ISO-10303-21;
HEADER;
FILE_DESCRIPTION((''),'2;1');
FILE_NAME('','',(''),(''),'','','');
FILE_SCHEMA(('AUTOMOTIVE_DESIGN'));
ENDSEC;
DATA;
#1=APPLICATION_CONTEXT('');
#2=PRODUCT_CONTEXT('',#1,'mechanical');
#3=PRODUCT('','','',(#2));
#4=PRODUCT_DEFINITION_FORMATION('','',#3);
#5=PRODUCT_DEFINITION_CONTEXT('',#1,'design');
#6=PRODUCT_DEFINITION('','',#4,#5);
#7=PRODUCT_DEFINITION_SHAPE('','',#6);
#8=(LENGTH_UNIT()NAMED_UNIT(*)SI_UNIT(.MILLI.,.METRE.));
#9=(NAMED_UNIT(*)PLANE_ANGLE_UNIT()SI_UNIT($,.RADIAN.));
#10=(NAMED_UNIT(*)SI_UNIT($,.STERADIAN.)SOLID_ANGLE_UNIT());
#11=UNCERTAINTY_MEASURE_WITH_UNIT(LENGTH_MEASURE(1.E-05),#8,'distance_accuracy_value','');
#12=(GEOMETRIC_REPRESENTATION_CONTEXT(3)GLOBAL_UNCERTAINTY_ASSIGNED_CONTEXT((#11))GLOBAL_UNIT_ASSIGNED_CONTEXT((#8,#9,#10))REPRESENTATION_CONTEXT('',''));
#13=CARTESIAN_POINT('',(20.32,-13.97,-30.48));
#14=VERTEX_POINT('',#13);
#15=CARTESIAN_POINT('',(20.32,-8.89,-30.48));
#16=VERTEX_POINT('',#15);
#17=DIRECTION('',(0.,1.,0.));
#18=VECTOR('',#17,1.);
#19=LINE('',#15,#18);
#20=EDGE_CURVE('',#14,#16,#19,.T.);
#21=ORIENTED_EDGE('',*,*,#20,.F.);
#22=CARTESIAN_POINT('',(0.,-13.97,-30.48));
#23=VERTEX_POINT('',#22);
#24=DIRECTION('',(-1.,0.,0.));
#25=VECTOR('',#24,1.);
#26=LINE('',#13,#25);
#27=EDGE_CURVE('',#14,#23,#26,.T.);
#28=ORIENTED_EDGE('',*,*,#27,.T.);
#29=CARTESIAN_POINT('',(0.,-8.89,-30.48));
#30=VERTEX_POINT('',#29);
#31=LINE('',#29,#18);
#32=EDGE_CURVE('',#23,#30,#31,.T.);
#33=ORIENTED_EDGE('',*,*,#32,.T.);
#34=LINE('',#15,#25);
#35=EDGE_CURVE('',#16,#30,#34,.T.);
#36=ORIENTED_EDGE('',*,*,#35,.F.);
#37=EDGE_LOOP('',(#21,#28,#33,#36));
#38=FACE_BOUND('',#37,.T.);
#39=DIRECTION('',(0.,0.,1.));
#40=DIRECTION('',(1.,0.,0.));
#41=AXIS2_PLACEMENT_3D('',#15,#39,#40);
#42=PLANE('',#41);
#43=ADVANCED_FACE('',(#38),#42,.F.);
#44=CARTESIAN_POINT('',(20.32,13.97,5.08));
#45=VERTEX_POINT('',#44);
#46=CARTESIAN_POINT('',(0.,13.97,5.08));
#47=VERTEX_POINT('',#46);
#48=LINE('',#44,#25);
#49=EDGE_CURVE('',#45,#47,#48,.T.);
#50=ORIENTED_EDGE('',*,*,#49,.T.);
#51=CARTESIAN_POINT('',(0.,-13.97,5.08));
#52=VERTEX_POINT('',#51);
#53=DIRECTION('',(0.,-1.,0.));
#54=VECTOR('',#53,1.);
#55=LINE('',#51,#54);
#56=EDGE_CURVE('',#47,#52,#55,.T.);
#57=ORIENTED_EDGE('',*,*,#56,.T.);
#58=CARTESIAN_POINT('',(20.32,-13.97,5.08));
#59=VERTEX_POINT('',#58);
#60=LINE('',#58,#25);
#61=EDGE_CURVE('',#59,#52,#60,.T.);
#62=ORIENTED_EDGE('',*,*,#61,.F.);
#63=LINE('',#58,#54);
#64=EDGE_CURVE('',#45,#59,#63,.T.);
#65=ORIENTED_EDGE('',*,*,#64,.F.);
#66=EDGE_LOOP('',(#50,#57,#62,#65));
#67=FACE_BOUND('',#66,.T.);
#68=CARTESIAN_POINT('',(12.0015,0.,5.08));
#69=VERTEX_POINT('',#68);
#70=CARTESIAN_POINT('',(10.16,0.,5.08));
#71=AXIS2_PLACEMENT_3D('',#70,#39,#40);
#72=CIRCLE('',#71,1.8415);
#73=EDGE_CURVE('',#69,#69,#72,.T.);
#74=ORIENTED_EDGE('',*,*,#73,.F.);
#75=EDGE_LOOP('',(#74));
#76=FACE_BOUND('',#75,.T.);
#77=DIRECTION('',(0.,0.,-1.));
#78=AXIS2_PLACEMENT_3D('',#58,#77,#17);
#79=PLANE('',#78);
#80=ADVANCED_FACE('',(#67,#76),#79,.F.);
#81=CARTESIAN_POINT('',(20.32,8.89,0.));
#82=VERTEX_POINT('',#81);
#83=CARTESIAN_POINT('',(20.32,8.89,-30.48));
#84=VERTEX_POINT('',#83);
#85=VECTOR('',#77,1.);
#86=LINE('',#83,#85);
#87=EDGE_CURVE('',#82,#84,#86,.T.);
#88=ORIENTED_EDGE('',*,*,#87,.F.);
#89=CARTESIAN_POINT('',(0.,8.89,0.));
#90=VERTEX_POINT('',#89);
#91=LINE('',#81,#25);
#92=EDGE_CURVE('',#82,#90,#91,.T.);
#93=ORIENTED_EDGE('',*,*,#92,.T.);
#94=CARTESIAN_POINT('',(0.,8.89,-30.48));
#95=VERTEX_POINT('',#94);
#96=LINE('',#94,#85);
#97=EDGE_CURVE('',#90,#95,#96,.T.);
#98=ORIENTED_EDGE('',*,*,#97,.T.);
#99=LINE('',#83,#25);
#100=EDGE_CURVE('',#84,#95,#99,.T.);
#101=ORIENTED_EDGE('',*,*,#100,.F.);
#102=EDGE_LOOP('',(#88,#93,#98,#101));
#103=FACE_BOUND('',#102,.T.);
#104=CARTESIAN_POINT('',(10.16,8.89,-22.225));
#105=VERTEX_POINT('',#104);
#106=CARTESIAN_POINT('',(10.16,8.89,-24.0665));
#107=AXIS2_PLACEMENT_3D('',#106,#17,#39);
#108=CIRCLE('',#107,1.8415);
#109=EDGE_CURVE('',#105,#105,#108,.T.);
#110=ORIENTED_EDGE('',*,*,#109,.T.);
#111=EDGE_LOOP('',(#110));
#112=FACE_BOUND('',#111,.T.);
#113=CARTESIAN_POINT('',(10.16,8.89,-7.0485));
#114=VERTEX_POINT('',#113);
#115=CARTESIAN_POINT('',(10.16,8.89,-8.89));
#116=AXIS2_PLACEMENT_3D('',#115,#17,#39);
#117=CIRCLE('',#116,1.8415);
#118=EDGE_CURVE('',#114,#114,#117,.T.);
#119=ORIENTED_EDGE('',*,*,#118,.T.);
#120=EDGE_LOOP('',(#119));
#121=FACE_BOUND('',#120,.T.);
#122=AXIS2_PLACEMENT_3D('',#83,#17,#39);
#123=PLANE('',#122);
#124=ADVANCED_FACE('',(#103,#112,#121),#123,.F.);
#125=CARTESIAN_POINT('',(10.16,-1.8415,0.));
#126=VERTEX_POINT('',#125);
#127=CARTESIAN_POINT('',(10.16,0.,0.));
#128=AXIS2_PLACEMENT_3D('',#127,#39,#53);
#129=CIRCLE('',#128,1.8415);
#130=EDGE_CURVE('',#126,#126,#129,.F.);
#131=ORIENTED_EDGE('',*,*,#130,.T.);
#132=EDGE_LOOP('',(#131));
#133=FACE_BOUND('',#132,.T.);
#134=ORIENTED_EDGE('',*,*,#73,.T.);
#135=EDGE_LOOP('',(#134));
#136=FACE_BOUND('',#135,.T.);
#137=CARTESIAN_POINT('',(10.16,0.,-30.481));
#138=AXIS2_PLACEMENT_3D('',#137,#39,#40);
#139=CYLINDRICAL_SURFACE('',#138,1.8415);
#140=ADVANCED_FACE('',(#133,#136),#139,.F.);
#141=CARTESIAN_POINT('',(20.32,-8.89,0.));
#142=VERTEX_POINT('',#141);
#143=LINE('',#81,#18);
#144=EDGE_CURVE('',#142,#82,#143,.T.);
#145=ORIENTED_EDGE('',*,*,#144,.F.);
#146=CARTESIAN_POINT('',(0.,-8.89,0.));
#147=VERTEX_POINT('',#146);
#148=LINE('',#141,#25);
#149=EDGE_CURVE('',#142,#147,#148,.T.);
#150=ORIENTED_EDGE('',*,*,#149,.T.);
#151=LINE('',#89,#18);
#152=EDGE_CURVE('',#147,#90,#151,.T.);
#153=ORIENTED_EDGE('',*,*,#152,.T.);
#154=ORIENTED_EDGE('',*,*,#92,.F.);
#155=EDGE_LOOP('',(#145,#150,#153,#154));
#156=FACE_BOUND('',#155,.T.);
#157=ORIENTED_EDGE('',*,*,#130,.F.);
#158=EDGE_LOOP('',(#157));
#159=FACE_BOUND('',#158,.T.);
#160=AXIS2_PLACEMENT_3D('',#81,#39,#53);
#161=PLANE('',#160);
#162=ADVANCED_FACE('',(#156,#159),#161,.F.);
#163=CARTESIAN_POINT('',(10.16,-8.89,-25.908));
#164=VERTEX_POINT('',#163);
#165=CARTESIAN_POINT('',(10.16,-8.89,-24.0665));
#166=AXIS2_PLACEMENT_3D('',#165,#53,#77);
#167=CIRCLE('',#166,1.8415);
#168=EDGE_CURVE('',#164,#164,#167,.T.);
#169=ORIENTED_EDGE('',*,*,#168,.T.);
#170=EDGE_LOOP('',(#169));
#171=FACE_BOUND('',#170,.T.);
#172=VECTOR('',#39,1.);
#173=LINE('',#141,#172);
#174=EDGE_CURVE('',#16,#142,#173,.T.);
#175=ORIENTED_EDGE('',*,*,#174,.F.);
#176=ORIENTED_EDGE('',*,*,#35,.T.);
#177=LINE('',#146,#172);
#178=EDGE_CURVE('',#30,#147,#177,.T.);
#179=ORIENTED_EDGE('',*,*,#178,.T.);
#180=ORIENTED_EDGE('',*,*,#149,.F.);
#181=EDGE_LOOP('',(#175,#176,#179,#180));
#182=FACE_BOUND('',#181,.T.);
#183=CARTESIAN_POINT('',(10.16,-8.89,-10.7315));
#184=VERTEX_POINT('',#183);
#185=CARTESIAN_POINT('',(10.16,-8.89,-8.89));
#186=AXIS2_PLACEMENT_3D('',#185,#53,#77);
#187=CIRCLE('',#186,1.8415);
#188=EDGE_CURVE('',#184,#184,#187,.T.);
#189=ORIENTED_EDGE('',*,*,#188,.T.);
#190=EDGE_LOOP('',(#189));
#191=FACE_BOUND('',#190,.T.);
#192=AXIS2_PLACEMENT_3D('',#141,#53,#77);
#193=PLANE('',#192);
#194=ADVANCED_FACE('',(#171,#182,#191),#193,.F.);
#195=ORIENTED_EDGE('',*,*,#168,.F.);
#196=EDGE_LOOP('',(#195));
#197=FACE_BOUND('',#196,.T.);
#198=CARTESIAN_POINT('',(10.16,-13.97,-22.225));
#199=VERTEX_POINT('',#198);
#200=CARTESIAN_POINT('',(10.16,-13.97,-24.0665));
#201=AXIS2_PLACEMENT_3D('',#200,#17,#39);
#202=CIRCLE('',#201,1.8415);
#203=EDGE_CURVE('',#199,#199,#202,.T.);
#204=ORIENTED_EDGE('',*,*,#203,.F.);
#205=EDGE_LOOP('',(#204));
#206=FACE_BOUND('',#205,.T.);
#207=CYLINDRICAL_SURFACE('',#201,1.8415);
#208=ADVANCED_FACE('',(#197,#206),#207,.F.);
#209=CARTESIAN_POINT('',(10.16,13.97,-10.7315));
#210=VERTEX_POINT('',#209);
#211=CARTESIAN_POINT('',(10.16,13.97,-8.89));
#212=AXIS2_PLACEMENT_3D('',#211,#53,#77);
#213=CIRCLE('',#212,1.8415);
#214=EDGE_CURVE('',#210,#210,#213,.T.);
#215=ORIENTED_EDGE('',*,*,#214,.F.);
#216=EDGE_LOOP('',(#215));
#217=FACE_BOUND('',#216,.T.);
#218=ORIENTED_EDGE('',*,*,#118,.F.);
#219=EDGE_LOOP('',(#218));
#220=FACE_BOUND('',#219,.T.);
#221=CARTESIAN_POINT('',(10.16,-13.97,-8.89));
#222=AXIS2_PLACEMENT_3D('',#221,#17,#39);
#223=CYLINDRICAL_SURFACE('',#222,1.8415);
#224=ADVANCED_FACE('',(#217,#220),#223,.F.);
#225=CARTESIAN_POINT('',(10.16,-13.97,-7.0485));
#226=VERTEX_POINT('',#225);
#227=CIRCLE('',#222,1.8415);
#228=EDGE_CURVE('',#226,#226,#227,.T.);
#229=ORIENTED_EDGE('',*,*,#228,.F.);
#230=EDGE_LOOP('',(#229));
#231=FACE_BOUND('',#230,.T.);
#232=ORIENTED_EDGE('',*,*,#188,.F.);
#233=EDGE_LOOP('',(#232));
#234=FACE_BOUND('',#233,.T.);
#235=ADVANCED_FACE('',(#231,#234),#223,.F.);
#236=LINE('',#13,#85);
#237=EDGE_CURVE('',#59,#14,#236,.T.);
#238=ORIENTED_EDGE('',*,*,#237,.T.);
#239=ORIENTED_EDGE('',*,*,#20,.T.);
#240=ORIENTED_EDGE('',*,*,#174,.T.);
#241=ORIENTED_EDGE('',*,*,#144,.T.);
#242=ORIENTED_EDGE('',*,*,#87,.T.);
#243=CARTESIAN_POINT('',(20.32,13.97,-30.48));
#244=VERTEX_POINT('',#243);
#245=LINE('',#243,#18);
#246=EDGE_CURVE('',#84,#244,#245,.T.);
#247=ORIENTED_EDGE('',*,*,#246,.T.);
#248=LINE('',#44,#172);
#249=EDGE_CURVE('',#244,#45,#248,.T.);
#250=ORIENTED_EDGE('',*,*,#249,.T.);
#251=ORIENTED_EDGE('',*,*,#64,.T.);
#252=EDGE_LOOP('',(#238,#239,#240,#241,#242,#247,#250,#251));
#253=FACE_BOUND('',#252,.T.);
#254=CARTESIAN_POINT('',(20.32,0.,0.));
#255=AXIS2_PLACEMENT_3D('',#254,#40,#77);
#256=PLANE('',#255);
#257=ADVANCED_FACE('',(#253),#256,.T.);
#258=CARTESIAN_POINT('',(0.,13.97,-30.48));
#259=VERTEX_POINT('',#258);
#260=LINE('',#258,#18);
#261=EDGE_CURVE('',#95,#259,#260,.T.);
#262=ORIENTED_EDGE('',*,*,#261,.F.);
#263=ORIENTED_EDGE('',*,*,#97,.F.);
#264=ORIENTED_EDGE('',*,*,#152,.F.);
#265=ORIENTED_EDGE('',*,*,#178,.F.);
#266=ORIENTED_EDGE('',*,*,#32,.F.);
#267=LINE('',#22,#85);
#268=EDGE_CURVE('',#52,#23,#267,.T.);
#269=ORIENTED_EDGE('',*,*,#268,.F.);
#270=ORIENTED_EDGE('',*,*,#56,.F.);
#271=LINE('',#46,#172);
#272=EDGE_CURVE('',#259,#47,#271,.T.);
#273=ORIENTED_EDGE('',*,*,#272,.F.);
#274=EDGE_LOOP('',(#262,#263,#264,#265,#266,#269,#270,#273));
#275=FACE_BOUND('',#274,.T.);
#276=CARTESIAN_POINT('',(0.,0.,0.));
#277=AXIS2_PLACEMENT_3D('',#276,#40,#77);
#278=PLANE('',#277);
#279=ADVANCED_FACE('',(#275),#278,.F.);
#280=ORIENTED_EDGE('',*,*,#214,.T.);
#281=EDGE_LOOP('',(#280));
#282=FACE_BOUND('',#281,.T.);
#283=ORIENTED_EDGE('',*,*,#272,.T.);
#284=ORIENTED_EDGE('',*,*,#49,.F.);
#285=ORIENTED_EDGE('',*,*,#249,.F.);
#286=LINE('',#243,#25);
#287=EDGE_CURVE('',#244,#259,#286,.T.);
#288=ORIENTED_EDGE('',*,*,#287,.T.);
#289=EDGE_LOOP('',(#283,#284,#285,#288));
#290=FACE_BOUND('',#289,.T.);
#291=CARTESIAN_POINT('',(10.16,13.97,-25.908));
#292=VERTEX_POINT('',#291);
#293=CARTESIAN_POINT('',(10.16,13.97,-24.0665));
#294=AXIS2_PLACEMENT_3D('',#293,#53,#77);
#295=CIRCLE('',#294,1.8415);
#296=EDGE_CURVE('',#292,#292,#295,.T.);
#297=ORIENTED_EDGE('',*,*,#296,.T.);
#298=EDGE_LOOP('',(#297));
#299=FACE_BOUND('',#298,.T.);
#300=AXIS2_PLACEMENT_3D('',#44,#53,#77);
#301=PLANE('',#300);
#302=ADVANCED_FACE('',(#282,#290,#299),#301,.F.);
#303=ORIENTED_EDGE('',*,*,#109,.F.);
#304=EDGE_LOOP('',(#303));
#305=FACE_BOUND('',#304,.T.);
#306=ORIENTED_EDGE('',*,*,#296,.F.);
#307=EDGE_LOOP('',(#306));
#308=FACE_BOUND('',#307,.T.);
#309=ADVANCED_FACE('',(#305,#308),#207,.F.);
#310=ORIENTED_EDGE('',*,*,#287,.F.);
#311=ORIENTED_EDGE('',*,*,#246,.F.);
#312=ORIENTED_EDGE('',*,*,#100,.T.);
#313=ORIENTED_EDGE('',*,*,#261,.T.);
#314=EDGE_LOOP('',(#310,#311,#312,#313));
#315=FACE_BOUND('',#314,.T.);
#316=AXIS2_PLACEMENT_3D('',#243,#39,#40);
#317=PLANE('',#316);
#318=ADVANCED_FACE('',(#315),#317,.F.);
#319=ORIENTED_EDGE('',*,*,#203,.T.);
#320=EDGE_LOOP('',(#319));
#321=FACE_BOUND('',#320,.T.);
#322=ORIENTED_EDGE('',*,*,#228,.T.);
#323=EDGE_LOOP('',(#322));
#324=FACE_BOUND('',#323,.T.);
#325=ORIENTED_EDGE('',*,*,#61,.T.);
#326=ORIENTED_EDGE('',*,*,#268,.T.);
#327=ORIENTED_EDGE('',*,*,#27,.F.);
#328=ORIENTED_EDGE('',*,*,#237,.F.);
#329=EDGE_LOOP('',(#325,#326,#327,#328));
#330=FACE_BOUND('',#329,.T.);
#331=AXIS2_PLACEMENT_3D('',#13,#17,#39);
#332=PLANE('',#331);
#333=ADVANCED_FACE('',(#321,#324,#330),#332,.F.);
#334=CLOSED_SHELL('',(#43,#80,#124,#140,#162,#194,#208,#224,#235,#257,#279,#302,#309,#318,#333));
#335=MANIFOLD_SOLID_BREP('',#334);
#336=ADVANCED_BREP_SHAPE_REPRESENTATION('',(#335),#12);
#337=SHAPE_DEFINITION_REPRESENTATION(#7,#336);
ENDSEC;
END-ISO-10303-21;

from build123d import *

# Parameters (mm, degrees)
BOSS_EXTRUDE1_DEPTH     = 20.32
CUT_EXTRUDE1_REACH      = 45.273
SKETCH2_R               = 1.8415
CUT_EXTRUDE2_DEPTH      = 47.071427154
CUT_EXTRUDE2_DEPTH_BACK = 47.071427154
SKETCH3_R               = 1.8415


with BuildPart() as part:
    # Sketch1 → Boss-Extrude1 (new body)
    with BuildSketch(Plane(origin=(0, 0, 0), x_dir=(0, 0, -1), z_dir=(1, 0, 0))):
        Polygon((0, 8.89), (0, -8.89), (30.48, -8.89), (30.48, -13.97), (-5.08, -13.97), (-5.08, 13.97), (30.48, 13.97), (30.48, 8.89), align=None)
    extrude(amount=BOSS_EXTRUDE1_DEPTH)

    # Sketch2 → Cut-Extrude1 (cut, up to next)
    with BuildSketch(Plane.XY.offset(5.08), mode=Mode.PRIVATE) as cut_extrude1_sk1:
        with Locations((10.16, 0)):
            Circle(SKETCH2_R)
    cut_extrude1_tool1 = extrude(cut_extrude1_sk1.sketch, amount=-CUT_EXTRUDE1_REACH, mode=Mode.PRIVATE) & part.part
    add(cut_extrude1_tool1.solids().sort_by_distance((10.16, 0, 5.08))[0], mode=Mode.SUBTRACT)

    # Sketch3 → Cut-Extrude2 (cut, two sides: drawn at the far end of the back side and taken through both)
    with BuildSketch(Plane(origin=(0, 13.97, 0), x_dir=(1, 0, 0), z_dir=(0, 1, 0)).offset(-CUT_EXTRUDE2_DEPTH_BACK)):
        with Locations(Location((10.16, 8.89, 0), (0, 0, 270))):
            Circle(SKETCH3_R)
        with Locations(Location((10.16, 24.0665, 0), (0, 0, 270))):
            Circle(SKETCH3_R)
    extrude(amount=CUT_EXTRUDE2_DEPTH + CUT_EXTRUDE2_DEPTH_BACK, mode=Mode.SUBTRACT)


solid = part.part
